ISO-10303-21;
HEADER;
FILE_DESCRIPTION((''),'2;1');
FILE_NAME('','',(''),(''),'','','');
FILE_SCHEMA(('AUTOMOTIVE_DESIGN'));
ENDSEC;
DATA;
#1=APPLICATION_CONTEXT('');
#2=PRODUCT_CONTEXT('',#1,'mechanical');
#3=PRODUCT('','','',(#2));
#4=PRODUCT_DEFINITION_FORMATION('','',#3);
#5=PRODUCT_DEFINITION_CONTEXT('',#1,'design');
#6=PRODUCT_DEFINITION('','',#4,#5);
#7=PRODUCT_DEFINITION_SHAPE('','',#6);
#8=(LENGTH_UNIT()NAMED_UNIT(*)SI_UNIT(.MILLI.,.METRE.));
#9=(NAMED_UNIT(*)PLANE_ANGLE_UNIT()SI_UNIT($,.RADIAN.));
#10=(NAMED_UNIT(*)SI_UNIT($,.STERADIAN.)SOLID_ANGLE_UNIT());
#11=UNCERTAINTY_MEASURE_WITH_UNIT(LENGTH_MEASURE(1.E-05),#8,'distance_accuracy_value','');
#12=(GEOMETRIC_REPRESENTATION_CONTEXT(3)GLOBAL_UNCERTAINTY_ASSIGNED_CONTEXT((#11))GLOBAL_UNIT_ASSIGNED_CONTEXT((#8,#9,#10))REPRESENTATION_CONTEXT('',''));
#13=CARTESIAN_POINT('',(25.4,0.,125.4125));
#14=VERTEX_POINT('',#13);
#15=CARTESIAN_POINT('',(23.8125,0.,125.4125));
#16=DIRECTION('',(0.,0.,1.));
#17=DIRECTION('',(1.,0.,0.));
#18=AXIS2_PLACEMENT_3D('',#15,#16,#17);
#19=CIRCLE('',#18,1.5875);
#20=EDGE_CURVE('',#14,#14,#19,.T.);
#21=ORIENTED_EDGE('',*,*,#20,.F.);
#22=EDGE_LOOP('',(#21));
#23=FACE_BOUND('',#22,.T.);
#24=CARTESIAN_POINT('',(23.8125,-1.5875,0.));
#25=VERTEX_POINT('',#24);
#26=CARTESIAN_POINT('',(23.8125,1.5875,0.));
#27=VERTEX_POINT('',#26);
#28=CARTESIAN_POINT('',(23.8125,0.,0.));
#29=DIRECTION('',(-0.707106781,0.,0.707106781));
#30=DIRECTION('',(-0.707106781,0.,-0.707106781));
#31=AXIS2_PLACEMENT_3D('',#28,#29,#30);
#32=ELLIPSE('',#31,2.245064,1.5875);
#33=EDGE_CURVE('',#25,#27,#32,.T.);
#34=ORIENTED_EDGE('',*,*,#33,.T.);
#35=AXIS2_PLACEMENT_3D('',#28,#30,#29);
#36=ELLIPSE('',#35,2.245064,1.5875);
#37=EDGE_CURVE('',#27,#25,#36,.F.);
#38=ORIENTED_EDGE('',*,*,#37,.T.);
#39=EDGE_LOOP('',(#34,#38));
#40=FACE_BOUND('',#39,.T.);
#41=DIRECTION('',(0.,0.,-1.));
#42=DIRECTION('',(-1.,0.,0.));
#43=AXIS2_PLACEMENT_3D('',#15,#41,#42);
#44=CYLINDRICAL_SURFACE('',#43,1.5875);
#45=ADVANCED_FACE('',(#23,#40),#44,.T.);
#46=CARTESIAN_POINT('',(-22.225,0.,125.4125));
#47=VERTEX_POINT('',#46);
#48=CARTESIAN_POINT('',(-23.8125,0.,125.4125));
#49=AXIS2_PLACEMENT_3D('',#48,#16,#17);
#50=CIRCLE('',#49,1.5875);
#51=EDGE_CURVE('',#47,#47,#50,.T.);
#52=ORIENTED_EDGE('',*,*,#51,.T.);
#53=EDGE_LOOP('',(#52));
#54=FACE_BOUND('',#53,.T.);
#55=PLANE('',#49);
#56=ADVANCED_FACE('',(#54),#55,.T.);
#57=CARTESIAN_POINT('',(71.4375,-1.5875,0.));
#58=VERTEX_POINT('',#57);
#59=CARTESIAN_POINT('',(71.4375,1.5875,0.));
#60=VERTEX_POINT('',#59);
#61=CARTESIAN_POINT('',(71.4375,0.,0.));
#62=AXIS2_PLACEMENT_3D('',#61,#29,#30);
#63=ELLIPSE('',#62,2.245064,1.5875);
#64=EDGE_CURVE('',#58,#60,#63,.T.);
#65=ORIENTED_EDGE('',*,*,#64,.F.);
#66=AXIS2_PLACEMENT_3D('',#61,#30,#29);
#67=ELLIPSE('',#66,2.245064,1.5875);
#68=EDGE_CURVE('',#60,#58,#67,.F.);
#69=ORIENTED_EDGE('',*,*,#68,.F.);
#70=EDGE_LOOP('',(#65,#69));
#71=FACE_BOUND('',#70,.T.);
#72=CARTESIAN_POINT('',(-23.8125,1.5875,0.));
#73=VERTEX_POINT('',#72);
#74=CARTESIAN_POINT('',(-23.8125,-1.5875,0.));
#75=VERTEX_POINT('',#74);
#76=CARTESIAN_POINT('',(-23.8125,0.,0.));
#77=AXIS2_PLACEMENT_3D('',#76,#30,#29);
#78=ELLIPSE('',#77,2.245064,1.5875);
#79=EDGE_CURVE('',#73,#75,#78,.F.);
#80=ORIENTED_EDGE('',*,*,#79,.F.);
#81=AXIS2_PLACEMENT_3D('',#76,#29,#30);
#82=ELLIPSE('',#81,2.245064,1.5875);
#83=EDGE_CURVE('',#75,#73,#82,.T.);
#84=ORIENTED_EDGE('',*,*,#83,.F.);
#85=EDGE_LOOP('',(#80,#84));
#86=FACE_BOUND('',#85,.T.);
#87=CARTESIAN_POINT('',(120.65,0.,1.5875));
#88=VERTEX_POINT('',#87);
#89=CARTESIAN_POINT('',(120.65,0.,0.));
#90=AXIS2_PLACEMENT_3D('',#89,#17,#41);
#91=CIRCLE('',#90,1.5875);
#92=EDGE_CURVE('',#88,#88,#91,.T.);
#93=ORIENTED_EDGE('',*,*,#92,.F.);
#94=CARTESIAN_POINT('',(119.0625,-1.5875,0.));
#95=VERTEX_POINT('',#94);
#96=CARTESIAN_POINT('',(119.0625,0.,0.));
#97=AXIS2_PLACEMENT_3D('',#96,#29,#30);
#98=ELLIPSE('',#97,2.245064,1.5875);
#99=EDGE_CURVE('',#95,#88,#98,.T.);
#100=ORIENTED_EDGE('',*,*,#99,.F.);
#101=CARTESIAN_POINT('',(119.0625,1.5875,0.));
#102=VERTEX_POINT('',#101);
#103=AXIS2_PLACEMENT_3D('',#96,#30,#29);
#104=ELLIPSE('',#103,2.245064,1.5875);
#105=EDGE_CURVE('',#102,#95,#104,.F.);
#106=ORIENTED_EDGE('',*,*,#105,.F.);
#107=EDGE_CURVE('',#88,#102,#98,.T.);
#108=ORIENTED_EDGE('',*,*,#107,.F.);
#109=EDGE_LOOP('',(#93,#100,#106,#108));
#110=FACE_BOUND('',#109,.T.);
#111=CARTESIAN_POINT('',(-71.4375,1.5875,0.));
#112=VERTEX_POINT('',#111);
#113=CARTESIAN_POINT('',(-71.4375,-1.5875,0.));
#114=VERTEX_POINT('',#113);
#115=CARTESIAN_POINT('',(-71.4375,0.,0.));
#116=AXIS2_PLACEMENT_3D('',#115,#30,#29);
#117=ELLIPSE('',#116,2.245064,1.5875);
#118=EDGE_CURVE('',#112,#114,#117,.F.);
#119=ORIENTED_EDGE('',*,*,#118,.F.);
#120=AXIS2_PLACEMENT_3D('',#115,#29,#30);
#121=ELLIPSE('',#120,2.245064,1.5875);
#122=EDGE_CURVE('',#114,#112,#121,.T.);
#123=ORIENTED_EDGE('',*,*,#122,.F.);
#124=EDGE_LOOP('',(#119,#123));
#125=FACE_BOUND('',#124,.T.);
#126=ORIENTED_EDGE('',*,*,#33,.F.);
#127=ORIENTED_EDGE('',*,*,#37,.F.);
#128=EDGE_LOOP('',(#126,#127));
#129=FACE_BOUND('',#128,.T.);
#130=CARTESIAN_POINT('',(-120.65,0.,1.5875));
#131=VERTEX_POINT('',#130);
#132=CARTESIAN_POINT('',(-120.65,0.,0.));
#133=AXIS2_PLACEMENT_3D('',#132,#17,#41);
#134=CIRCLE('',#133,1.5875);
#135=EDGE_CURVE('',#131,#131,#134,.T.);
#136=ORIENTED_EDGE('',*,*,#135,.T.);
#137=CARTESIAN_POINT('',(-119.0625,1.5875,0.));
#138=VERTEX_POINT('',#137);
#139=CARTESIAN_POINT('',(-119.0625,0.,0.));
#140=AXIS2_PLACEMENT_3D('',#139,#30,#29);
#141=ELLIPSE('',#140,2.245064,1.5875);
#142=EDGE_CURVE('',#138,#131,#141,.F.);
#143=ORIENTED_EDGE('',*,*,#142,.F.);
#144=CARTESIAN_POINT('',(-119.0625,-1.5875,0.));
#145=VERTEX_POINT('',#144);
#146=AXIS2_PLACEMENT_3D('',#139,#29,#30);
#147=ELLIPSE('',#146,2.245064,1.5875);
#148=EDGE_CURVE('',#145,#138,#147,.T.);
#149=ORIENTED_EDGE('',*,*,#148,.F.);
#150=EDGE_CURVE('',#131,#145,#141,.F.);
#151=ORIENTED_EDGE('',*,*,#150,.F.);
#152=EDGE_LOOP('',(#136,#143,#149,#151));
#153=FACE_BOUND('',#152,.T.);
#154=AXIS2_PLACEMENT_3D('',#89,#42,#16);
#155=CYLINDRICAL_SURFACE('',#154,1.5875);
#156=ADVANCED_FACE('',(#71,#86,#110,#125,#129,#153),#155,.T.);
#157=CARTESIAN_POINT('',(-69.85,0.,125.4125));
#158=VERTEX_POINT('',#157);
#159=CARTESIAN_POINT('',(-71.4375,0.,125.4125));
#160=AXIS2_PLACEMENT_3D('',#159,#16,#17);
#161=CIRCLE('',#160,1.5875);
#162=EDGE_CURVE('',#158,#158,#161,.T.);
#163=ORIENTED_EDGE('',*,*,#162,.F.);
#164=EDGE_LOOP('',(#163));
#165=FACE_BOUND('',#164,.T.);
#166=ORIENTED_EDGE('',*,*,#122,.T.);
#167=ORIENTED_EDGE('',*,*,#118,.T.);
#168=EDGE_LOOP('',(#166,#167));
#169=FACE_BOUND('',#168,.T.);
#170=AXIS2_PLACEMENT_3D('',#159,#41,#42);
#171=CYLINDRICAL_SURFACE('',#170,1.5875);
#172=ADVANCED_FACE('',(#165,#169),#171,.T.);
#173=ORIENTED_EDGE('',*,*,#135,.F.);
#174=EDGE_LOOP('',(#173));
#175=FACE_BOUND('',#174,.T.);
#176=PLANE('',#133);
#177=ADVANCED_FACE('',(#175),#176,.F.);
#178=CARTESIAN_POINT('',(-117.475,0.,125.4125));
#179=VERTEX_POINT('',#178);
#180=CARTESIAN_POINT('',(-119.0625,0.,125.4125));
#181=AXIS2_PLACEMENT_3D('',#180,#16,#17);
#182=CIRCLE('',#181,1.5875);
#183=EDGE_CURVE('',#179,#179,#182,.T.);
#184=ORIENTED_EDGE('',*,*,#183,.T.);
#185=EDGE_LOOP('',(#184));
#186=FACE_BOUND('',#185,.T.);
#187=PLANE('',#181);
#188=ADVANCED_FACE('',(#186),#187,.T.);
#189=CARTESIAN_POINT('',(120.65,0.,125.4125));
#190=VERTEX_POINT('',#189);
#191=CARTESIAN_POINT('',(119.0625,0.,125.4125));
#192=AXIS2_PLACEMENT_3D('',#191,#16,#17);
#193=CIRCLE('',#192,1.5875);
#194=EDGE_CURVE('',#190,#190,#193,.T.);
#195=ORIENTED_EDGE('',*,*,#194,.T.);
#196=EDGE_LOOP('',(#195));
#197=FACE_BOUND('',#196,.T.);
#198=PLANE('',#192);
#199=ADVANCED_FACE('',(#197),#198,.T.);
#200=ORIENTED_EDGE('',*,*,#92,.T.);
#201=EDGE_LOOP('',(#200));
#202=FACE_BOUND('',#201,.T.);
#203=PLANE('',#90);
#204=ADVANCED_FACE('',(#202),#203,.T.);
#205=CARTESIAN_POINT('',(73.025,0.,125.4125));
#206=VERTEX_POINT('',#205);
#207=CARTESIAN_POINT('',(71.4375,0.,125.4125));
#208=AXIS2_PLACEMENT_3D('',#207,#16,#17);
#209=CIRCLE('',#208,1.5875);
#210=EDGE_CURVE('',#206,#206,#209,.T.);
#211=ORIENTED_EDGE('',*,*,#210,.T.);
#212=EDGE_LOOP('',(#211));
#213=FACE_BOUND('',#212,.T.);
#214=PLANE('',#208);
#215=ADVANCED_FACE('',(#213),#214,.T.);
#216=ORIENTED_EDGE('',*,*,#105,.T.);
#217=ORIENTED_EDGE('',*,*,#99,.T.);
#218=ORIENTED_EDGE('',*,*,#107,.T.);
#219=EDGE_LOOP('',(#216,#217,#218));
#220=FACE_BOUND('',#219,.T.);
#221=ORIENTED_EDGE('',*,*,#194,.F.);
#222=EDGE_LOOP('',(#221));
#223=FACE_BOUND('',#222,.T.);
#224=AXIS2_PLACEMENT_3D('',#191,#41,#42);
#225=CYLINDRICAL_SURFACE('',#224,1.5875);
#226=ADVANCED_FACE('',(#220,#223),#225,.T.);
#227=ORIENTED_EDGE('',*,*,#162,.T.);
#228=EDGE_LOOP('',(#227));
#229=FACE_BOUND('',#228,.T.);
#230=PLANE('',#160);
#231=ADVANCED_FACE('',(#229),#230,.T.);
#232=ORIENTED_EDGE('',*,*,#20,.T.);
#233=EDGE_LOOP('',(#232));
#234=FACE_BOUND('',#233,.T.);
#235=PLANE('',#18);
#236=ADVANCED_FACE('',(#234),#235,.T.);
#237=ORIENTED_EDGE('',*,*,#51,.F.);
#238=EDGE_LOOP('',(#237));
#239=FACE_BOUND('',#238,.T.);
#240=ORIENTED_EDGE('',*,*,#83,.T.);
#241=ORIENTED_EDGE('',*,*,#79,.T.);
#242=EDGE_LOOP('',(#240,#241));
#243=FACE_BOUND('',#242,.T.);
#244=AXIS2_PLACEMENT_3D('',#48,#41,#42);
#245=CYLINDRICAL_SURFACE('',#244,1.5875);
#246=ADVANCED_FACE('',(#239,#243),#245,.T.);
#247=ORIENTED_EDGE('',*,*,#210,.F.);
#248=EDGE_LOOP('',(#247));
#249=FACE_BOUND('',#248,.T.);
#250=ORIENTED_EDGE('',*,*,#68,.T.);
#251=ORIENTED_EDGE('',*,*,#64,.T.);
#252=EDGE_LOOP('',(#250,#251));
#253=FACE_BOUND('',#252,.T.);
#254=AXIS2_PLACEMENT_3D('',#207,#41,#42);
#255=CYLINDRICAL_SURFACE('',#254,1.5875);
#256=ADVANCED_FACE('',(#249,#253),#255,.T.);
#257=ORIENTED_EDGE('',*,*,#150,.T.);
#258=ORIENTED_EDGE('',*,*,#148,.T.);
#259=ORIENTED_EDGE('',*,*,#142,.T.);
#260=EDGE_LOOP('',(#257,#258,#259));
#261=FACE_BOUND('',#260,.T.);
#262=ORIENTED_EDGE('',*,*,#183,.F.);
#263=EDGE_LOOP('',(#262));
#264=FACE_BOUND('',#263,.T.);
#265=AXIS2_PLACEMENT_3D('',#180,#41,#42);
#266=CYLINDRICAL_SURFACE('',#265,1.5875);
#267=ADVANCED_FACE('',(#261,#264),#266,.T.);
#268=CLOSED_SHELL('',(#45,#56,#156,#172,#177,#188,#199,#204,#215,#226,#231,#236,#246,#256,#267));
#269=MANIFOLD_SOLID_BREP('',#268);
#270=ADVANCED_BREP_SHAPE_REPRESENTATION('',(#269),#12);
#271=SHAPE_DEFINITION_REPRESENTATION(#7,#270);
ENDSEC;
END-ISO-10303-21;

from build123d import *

# Parameters (mm, degrees)
SKETCH1_R           = 1.5875
BOSS_EXTRUDE1_DEPTH = 120.65
SKETCH3_R           = 1.5875
BOSS_EXTRUDE2_DEPTH = 125.4125
LPATTERN1_COUNT     = 6
LPATTERN1_PITCH     = 47.625


with BuildPart() as part:
    # Sketch1 → Boss-Extrude1 (new body, symmetric)
    with BuildSketch(Plane(origin=(0, 0, 0), x_dir=(0, 0, -1), z_dir=(1, 0, 0))):
        Circle(SKETCH1_R)
    extrude(amount=BOSS_EXTRUDE1_DEPTH, both=True)

    # Sketch3 → Boss-Extrude2 (add)
    with BuildSketch(Plane.XY):
        with Locations((-119.0625, 0)):
            Circle(SKETCH3_R)
    boss_extrude2 = extrude(amount=BOSS_EXTRUDE2_DEPTH)

    # LPattern1: Boss-Extrude2 ×6
    with Locations(*[(i * LPATTERN1_PITCH, 0, 0) for i in range(1, LPATTERN1_COUNT)]):
        add(boss_extrude2)


solid = part.part
